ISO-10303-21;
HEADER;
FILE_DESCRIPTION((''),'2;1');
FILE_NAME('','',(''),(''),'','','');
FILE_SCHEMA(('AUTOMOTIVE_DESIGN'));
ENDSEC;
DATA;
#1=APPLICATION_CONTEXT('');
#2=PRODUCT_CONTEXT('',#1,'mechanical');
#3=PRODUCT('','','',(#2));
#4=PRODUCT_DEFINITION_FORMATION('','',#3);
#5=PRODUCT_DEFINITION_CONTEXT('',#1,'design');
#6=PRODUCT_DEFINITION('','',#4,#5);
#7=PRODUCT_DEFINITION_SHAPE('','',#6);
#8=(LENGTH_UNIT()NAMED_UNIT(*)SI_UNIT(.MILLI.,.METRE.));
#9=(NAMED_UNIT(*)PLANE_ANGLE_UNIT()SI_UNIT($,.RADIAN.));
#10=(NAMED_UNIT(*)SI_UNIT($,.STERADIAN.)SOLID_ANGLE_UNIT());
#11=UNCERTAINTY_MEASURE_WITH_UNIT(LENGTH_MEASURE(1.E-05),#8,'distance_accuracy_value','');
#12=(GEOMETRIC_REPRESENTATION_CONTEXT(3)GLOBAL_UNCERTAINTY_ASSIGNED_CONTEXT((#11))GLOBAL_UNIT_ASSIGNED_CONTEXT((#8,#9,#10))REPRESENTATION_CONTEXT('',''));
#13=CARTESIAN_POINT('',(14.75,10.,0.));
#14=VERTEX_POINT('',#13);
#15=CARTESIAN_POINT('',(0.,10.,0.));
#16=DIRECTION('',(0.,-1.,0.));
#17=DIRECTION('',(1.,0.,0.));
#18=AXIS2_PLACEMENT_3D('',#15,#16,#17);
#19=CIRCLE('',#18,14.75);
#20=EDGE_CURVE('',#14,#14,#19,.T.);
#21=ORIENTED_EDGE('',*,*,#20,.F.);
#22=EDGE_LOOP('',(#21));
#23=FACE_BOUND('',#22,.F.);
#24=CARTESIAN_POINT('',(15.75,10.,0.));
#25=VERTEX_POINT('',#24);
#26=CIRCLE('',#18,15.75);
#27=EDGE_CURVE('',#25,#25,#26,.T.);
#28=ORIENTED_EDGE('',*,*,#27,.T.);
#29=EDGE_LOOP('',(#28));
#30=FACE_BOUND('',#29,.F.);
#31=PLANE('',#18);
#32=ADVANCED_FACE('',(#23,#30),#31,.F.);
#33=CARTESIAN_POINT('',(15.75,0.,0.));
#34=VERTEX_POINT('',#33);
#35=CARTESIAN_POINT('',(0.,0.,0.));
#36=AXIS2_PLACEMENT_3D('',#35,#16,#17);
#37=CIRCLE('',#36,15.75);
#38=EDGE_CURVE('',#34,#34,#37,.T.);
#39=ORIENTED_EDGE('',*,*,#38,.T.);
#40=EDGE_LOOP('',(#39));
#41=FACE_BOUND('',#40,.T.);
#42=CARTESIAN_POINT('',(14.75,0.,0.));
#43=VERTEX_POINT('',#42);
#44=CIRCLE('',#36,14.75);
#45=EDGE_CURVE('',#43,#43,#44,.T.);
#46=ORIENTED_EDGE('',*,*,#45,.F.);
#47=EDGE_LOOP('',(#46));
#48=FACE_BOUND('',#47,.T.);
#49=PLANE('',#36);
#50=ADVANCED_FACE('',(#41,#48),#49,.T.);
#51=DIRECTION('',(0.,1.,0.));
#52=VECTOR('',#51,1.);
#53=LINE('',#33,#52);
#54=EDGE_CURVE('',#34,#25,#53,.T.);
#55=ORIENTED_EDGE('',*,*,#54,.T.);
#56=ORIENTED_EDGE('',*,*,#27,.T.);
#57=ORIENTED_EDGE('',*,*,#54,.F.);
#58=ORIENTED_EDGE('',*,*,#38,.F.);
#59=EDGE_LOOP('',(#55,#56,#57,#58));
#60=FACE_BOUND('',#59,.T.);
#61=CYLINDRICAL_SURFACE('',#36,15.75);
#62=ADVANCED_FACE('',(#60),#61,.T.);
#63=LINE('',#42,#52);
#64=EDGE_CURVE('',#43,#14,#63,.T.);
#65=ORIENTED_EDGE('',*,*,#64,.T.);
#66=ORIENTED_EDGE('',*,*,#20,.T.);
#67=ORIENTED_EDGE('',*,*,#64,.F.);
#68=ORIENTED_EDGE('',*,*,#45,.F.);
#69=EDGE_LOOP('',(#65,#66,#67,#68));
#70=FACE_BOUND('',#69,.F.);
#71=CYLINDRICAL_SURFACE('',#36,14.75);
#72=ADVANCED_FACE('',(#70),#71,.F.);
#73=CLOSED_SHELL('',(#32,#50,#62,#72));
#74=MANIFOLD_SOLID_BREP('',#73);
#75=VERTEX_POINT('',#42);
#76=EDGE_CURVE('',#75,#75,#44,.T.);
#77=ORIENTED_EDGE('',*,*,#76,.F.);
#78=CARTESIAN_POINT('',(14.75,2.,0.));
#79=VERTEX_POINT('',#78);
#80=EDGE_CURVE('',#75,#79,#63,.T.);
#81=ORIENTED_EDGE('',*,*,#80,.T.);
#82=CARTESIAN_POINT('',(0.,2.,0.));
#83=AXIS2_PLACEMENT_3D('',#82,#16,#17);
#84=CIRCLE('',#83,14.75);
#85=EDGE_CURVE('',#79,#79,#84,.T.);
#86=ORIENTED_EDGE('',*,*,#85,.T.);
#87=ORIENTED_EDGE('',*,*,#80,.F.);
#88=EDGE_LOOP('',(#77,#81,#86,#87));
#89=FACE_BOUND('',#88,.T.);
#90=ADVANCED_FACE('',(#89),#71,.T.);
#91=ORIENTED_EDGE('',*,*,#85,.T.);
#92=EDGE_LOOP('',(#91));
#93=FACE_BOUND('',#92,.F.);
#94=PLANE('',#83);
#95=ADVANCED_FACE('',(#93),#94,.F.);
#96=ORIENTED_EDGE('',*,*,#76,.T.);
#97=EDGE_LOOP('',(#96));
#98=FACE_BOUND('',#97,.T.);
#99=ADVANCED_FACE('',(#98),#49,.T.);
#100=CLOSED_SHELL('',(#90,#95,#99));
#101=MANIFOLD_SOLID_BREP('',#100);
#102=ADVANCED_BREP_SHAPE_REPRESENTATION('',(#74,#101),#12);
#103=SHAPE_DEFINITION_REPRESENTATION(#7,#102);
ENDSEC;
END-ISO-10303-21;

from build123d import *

# Parameters (mm, degrees)
F0_R     = 15.75
F0_R_2   = 14.75
F1_DEPTH = 10
F2_R     = 14.75
F3_DEPTH = 8
F4_DEPTH = 2


with BuildPart() as f1:
    # F0 (on Front) → F1 (new body)
    with BuildSketch(Plane.XZ):
        Circle(F0_R)
        Circle(F0_R_2, mode=Mode.SUBTRACT)
    extrude(amount=-F1_DEPTH)

    # F2 (on Front) → F3 (cut)
    with BuildSketch(Plane.XZ):
        Circle(F2_R)
    extrude(amount=F3_DEPTH, mode=Mode.SUBTRACT)


with BuildPart() as f4:
    # F2 (on Front) → F4 (new body)
    with BuildSketch(Plane.XZ):
        Circle(F2_R)
    extrude(amount=-F4_DEPTH)


solid = Compound([f1.part, f4.part])
